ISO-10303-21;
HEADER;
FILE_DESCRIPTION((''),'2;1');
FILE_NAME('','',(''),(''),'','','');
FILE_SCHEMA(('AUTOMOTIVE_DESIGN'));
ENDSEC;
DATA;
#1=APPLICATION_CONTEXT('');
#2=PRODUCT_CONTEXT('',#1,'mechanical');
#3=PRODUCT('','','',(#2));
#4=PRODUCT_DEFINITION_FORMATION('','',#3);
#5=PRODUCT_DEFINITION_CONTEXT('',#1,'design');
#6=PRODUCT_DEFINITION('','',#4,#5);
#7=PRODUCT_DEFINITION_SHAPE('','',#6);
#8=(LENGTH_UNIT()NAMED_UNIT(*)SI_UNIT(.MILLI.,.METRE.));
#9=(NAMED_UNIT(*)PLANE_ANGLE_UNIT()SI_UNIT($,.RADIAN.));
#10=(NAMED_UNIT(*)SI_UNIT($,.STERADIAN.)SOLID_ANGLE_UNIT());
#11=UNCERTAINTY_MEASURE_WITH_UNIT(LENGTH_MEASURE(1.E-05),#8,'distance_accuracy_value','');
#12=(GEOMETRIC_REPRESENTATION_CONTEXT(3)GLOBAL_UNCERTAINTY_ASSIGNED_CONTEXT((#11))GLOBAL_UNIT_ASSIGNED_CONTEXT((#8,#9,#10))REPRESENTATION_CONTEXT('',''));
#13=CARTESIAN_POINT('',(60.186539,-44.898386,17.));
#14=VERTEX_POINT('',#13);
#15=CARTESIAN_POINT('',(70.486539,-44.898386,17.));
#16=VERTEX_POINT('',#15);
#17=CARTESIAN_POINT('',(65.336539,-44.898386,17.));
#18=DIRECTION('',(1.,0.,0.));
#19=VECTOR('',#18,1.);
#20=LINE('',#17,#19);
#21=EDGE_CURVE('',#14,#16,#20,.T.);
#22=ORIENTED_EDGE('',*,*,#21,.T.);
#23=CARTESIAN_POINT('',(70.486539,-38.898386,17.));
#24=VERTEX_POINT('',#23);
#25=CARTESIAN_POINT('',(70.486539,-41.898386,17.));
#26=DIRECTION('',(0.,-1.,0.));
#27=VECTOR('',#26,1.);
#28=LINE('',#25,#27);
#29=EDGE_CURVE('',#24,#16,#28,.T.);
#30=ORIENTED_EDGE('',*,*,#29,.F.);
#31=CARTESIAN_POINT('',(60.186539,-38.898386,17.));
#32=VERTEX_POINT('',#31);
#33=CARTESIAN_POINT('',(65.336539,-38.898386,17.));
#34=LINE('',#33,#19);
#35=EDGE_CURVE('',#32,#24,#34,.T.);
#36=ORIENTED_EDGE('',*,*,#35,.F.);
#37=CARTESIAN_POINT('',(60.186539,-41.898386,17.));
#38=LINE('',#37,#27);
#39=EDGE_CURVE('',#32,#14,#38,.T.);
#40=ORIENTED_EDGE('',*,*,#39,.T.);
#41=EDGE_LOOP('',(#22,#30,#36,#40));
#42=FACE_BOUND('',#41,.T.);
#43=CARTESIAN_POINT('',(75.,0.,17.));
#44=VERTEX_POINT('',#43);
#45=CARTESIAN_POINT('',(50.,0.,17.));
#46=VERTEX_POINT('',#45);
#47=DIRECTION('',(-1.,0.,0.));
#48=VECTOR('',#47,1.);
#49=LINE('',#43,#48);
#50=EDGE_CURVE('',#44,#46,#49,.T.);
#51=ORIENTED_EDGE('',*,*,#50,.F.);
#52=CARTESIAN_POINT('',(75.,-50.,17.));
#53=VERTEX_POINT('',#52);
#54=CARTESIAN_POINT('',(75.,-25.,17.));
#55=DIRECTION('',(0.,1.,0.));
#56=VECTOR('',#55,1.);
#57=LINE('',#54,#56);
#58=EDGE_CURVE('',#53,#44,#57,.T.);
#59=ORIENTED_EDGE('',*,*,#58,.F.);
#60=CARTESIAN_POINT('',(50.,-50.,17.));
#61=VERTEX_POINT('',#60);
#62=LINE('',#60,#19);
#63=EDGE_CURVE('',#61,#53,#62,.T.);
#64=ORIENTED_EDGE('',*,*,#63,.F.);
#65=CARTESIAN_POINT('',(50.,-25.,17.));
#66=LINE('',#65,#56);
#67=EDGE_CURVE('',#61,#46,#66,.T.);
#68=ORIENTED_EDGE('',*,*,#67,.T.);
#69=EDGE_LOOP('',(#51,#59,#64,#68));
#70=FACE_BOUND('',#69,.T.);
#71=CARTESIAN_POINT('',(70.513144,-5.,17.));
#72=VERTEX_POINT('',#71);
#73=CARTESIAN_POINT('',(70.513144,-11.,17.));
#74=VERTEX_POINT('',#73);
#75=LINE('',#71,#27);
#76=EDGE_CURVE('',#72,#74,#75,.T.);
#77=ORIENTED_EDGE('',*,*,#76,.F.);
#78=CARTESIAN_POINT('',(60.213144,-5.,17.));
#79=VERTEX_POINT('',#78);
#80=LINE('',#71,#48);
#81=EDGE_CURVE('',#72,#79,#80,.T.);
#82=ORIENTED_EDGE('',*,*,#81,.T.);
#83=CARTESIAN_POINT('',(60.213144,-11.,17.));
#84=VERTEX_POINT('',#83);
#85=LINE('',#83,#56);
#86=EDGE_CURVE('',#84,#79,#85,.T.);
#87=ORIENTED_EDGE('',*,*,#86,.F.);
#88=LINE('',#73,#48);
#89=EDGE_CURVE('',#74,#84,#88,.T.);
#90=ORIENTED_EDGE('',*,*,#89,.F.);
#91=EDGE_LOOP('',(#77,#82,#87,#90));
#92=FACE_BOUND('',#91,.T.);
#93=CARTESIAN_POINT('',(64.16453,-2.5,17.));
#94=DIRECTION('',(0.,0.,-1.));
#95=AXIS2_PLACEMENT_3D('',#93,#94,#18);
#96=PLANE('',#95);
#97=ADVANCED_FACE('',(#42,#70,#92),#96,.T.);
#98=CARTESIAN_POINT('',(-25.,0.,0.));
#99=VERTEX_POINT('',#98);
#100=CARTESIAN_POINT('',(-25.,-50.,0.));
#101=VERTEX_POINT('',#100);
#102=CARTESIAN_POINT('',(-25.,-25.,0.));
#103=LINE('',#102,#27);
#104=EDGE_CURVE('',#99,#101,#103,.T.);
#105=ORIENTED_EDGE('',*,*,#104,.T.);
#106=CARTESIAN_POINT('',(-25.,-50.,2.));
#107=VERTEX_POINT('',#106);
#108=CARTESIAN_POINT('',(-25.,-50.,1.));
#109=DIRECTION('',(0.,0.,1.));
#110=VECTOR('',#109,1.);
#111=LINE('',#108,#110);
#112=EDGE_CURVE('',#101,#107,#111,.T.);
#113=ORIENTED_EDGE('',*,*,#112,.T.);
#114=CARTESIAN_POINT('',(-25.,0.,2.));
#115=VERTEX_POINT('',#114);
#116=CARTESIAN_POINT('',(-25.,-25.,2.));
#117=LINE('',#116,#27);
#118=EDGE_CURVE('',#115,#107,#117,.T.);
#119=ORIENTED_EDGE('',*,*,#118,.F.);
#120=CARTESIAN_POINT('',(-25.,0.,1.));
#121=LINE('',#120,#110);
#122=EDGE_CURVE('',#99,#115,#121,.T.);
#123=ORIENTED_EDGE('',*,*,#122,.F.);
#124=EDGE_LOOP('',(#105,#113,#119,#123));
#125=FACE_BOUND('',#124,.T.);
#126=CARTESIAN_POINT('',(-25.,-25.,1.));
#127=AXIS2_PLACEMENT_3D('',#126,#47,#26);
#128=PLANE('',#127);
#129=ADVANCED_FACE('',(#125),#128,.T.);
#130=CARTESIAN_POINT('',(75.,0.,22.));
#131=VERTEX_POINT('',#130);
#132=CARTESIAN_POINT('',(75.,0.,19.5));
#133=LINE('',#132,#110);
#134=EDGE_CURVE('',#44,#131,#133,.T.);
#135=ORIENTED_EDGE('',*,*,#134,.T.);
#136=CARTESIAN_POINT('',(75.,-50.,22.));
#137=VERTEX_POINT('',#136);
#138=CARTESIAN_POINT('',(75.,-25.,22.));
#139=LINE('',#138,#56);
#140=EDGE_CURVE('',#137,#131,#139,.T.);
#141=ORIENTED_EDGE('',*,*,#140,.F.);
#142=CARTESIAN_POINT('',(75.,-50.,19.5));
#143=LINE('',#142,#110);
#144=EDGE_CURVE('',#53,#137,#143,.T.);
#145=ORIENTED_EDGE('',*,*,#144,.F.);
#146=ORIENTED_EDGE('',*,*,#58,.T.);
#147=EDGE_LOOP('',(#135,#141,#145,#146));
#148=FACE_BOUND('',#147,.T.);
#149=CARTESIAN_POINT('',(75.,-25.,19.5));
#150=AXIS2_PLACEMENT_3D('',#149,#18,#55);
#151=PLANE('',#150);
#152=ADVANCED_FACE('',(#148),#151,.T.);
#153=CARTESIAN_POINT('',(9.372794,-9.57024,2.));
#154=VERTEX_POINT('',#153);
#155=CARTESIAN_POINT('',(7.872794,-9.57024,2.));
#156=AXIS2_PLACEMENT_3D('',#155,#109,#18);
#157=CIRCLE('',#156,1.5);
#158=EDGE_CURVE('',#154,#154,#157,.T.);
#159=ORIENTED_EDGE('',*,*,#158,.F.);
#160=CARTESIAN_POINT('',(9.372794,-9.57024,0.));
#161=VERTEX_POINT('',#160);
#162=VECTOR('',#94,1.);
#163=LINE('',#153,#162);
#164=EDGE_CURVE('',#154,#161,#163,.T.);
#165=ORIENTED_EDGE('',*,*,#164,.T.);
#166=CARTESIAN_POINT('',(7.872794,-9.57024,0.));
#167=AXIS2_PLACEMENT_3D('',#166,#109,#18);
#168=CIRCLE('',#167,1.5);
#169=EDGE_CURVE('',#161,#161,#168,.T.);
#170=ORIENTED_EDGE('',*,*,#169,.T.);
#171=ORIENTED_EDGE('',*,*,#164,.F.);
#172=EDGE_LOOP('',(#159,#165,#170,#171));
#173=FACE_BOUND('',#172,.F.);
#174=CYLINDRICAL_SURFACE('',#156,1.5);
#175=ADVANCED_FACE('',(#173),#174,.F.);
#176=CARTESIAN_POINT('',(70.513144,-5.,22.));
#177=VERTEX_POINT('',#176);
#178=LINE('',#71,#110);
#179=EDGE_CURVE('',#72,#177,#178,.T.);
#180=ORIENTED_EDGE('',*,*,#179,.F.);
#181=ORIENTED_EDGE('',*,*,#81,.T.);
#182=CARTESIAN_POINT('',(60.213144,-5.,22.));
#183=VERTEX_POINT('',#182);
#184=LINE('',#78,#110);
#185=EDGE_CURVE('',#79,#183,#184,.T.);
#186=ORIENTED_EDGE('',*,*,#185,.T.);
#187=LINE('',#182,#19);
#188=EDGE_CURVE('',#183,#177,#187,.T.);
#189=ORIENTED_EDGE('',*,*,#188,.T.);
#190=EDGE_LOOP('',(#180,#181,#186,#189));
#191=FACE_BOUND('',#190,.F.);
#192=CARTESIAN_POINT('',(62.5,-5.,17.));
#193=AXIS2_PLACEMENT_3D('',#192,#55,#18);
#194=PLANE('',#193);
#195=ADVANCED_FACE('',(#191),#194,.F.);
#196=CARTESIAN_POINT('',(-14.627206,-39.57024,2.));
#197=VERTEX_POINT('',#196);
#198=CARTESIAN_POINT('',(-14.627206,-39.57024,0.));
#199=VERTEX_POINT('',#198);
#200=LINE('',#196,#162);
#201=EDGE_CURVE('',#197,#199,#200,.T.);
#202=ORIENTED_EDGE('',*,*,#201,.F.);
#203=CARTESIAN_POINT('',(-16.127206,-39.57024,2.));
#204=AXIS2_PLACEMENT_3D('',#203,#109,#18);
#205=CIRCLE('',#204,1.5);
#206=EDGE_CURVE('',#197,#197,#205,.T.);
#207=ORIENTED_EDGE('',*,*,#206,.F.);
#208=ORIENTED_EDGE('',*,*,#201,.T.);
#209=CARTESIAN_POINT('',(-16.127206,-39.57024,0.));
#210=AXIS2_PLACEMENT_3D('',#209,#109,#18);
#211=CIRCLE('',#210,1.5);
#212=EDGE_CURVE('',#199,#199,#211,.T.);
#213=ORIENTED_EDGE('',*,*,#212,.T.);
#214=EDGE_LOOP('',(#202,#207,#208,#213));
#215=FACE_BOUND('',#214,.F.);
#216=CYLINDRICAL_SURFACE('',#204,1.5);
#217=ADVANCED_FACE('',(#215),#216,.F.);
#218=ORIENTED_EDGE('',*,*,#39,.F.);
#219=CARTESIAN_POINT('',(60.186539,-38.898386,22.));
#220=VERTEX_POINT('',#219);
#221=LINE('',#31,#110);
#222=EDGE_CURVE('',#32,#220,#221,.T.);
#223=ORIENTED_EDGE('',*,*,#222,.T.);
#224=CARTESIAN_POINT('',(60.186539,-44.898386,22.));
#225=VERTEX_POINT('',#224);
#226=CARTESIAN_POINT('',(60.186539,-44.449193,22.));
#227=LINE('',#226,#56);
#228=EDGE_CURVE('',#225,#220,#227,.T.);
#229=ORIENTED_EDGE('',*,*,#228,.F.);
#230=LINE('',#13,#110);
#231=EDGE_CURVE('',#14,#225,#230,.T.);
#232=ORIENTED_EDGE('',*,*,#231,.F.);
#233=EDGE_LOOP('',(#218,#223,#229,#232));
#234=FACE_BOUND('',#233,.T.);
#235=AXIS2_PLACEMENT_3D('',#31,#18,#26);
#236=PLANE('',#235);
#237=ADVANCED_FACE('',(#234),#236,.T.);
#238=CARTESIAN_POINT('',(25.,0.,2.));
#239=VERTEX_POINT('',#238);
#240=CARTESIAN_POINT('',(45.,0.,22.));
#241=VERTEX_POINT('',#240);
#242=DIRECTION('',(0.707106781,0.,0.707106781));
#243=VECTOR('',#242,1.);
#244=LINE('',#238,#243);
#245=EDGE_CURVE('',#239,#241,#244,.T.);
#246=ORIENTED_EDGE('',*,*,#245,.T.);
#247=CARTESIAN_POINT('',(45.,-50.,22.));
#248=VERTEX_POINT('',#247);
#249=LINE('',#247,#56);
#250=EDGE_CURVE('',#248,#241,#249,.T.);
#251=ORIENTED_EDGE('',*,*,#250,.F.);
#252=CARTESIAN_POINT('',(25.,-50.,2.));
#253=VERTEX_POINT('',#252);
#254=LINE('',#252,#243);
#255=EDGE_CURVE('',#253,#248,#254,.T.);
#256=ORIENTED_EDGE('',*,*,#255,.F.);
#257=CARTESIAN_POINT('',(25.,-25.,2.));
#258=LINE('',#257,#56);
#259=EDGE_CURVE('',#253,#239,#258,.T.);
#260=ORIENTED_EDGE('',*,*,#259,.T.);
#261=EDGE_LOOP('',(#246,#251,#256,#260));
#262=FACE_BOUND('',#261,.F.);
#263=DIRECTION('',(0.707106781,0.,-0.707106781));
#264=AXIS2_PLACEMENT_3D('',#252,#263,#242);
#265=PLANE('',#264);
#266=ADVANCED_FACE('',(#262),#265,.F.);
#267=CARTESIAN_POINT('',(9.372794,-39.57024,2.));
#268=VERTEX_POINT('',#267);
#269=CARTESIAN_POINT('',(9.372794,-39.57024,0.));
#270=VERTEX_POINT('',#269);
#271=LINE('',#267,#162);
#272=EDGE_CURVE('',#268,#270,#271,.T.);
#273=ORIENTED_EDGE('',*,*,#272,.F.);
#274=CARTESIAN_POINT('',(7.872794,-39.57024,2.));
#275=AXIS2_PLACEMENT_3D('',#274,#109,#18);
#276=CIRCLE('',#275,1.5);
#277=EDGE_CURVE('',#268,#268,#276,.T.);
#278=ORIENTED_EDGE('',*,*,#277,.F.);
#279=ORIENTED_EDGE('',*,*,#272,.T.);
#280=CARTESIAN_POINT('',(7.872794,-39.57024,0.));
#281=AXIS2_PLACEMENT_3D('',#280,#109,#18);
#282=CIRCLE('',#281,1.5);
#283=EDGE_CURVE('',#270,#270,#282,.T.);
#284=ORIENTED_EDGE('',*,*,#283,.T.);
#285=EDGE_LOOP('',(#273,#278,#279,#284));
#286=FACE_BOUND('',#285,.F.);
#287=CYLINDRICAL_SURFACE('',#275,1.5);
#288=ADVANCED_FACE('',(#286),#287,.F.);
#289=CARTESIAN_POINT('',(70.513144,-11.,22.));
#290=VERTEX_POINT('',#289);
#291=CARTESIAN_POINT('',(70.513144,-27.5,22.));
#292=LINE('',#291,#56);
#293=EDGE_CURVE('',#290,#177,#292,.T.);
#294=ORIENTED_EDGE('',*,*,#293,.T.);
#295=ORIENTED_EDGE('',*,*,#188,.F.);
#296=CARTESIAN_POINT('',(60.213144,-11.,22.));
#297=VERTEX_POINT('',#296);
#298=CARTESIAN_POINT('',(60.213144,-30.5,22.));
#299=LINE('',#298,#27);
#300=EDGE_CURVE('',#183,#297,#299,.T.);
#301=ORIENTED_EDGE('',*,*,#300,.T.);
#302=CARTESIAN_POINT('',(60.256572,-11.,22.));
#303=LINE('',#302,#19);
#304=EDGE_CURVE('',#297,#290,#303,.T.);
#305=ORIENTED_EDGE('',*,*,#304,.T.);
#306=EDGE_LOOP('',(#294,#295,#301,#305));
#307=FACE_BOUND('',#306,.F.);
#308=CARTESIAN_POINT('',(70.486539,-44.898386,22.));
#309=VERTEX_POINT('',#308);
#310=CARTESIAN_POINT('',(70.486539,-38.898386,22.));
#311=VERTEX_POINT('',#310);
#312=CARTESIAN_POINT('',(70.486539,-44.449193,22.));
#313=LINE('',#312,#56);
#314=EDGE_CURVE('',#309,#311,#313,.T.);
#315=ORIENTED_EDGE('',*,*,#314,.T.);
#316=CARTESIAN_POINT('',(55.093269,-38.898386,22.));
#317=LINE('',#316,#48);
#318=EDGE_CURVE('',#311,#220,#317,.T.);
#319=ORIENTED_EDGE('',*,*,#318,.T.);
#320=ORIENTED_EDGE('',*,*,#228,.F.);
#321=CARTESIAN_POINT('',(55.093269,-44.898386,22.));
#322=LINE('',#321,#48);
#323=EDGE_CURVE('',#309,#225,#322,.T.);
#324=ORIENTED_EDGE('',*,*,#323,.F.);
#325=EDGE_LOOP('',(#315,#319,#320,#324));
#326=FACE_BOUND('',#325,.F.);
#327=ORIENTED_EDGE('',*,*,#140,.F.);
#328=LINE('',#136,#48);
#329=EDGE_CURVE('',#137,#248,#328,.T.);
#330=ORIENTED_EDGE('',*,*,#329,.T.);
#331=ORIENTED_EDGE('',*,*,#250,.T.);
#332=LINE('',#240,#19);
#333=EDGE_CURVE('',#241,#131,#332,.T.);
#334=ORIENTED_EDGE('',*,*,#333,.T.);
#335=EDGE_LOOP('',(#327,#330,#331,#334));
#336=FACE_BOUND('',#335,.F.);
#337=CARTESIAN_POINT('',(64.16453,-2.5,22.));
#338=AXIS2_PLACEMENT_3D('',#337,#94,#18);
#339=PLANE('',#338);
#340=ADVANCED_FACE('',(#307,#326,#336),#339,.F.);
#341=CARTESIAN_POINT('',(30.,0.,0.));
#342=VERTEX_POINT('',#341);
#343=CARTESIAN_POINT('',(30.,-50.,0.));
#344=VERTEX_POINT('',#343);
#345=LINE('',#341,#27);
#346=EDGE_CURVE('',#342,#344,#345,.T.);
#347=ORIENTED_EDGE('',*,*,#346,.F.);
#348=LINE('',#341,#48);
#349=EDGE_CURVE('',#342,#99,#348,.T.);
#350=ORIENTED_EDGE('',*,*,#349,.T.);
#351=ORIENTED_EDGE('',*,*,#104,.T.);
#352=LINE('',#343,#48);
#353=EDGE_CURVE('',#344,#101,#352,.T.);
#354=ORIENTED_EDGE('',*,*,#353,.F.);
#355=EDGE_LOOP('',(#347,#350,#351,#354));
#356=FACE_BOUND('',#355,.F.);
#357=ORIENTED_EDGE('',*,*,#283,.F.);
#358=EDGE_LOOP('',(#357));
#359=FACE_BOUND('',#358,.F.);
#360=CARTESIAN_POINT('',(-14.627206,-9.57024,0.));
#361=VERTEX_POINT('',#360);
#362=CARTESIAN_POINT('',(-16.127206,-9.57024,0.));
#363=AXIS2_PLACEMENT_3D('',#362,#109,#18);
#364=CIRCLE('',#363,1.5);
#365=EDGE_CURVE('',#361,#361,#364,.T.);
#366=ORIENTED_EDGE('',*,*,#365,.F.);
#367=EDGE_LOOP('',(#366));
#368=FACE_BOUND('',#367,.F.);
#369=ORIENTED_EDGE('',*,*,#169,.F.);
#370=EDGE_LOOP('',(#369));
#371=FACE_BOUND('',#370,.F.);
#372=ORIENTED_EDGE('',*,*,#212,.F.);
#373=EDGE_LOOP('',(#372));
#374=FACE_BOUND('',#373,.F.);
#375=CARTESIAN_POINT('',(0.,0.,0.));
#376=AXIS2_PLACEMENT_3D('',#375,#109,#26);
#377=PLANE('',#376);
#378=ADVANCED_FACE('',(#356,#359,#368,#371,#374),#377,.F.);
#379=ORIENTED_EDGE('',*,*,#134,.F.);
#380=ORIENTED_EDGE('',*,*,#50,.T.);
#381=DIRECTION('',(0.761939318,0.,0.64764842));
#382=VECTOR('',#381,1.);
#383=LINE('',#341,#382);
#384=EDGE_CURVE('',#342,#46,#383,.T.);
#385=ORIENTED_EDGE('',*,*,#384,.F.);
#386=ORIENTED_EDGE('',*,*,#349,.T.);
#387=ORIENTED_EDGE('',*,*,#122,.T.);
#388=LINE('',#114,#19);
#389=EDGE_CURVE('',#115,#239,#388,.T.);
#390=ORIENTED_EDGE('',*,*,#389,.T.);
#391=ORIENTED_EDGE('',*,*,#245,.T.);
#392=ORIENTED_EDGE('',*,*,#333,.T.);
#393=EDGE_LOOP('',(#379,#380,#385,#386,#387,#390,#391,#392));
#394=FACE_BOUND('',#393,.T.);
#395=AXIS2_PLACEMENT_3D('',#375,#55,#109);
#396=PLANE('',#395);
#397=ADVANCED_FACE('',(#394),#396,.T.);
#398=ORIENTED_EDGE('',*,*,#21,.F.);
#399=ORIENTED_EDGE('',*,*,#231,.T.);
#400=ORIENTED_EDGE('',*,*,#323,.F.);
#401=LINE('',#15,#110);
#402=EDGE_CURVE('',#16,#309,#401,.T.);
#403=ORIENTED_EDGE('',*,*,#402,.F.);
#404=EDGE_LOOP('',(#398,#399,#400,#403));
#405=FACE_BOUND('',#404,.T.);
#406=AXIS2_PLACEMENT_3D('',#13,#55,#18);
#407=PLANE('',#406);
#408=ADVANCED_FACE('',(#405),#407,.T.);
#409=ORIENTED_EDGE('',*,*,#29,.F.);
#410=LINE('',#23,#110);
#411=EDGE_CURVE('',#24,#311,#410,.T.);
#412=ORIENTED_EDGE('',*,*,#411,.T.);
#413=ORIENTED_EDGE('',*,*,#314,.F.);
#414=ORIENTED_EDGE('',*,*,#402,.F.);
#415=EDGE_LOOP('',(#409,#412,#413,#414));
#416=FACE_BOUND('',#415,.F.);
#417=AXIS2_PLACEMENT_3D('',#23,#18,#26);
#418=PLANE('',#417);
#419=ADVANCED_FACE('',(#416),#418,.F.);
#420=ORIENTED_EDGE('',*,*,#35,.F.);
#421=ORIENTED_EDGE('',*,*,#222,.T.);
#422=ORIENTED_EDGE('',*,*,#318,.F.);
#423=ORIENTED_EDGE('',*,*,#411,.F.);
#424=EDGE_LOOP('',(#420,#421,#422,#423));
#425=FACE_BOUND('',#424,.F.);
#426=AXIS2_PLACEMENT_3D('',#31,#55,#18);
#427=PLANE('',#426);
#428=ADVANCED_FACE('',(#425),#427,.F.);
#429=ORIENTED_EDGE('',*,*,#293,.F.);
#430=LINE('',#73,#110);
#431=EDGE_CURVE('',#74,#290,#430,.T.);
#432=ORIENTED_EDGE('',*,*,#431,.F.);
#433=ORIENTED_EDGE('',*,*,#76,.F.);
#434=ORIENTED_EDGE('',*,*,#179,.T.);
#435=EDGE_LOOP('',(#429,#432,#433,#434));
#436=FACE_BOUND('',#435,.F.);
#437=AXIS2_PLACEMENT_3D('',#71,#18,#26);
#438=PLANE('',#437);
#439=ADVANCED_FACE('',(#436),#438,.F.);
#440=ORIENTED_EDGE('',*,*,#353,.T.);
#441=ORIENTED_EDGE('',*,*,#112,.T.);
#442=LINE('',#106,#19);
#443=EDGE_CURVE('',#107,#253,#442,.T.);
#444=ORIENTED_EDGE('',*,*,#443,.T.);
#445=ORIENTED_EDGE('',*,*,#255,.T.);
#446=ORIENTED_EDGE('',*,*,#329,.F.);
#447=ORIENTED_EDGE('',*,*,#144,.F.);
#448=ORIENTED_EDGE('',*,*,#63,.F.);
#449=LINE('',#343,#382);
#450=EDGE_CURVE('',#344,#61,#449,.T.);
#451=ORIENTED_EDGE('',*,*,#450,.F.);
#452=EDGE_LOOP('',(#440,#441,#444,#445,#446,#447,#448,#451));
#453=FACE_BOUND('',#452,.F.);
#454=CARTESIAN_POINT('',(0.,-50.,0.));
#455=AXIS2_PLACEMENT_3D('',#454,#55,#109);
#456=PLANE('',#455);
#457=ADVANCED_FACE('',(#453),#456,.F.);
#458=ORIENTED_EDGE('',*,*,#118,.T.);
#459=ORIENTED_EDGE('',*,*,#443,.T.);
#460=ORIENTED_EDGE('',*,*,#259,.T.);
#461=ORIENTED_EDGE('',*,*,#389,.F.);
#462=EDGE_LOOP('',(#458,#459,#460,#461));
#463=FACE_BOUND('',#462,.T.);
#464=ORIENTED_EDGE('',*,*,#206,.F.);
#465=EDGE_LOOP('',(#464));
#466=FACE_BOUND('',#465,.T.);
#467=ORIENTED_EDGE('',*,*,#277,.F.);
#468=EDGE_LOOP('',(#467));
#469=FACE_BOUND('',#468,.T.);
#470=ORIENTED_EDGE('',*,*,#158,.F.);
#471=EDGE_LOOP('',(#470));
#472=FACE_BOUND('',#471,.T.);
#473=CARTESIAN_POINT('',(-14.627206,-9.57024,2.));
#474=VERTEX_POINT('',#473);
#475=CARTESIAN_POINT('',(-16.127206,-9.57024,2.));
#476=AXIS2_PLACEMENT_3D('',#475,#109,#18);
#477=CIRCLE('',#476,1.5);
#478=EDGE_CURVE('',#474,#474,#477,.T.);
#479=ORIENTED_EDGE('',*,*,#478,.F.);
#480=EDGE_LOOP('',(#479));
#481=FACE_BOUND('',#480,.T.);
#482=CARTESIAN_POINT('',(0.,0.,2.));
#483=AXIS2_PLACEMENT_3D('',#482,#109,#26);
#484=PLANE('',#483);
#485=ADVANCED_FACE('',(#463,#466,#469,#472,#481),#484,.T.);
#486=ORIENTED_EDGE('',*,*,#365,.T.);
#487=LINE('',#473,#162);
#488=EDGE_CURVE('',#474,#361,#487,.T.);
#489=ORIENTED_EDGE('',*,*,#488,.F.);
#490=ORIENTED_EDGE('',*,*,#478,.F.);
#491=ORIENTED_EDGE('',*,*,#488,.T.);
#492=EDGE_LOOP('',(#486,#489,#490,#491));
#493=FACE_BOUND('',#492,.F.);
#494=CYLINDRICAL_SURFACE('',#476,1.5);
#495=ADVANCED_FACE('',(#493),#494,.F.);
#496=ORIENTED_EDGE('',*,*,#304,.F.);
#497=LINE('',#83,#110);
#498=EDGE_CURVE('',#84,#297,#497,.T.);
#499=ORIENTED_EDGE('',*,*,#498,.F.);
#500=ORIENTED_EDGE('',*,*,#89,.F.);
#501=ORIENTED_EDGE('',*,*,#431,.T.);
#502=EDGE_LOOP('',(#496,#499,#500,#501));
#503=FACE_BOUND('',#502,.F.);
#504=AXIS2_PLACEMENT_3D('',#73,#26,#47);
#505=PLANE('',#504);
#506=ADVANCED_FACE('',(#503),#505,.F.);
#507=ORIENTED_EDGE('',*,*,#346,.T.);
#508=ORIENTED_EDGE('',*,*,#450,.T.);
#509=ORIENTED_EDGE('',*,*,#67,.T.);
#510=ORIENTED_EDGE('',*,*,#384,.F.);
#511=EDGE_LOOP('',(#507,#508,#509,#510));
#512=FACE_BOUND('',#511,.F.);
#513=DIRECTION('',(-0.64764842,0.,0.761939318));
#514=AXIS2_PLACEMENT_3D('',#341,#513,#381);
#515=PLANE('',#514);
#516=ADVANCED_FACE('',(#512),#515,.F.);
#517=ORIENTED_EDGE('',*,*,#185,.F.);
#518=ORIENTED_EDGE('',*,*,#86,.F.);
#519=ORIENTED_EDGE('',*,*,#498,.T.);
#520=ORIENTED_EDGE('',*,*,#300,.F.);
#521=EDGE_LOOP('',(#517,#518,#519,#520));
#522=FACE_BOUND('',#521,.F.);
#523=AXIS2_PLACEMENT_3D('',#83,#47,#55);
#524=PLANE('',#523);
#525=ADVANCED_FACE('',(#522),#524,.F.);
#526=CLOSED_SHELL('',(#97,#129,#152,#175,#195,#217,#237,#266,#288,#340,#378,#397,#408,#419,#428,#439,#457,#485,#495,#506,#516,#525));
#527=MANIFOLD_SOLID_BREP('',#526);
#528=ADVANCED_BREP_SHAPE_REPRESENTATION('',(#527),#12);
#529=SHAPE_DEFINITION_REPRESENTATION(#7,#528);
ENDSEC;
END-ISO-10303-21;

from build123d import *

# Parameters (mm, degrees)
F0_W      = 50
F0_H      = 50
F1_DEPTH  = 2
F2_W      = 25
F2_H      = 50
F3_DEPTH  = 20
F4_W      = 50
F4_H      = 5
F5_DEPTH  = 25
F7_DEPTH  = 50
F8_W      = 3.329061
F8_H      = 5
F8_W_2    = 10.3
F8_H_2    = 6
F9_DEPTH  = 50
F10_W     = 3.329061
F10_H     = 5
F11_DEPTH = 5
F13_DEPTH = 50
F14_W     = 50
F14_H     = 2
F15_DEPTH = 25
F16_R     = 1.5
F17_DEPTH = 50


with BuildPart() as f1:
    # F0 (on Top) → F1 (new body)
    with BuildSketch(Plane.XY):
        with Locations((25, -25)):
            Rectangle(F0_W, F0_H)
    extrude(amount=F1_DEPTH)

    # F2 (on face) → F3 (join)
    with BuildSketch(Plane.XY.offset(2)):
        with Locations((37.5, -25)):
            Rectangle(F2_W, F2_H)
    extrude(amount=F3_DEPTH)

    # F4 (on face) → F5 (join)
    with BuildSketch(Plane.YZ.offset(50)):
        with Locations((-25, 19.5)):
            Rectangle(F4_W, F4_H)
    extrude(amount=F5_DEPTH)

    # F6 (on face) → F7 (cut)
    with BuildSketch(Plane.XZ.offset(50)):
        Polygon((45, 22), (25, 22), (25, 2), align=None)
    extrude(amount=-F7_DEPTH, mode=Mode.SUBTRACT)

    # F8 (on face) → F9 (cut)
    with BuildSketch(Plane(origin=(0, 0, 17), x_dir=(1, 0, 0), z_dir=(0, 0, -1))):
        Polygon((70.513144, 11), (60.213144, 11), (60.213144, 5), (62.5, 5), (65.829061, 5), (70.513144, 5), align=None)
        with Locations((64.16453, 2.5)):
            Rectangle(F8_W, F8_H)
        with Locations((65.336539, 41.898386)):
            Rectangle(F8_W_2, F8_H_2)
    extrude(amount=-F9_DEPTH, mode=Mode.SUBTRACT)

    # F10 (on face) → F11 (join)
    with BuildSketch(Plane(origin=(0, 0, 17), x_dir=(1, 0, 0), z_dir=(0, 0, -1))):
        with Locations((64.16453, 2.5)):
            Rectangle(F10_W, F10_H)
    extrude(amount=-F11_DEPTH)

    # F12 (on face) → F13 (cut)
    with BuildSketch(Plane(origin=(0, 0, 0), x_dir=(-1, 0, 0), z_dir=(0, 1, 0))):
        Polygon((-30, 0), (-50, 17), (-50, 0), align=None)
    extrude(amount=-F13_DEPTH, mode=Mode.SUBTRACT)

    # F14 (on face) → F15 (join)
    with BuildSketch(Plane(origin=(0, 0, 0), x_dir=(0, -1, 0), z_dir=(-1, 0, 0))):
        with Locations((25, 1)):
            Rectangle(F14_W, F14_H)
    extrude(amount=F15_DEPTH)

    # F16 (on face) → F17 (cut)
    with BuildSketch(Plane.XY.offset(2)):
        with Locations((-16.127206, -9.57024)):
            Circle(F16_R)
        with Locations((7.872794, -9.57024)):
            Circle(F16_R)
        with Locations((7.872794, -39.57024)):
            Circle(F16_R)
        with Locations((-16.127206, -39.57024)):
            Circle(F16_R)
    extrude(amount=-F17_DEPTH, mode=Mode.SUBTRACT)


solid = f1.part
